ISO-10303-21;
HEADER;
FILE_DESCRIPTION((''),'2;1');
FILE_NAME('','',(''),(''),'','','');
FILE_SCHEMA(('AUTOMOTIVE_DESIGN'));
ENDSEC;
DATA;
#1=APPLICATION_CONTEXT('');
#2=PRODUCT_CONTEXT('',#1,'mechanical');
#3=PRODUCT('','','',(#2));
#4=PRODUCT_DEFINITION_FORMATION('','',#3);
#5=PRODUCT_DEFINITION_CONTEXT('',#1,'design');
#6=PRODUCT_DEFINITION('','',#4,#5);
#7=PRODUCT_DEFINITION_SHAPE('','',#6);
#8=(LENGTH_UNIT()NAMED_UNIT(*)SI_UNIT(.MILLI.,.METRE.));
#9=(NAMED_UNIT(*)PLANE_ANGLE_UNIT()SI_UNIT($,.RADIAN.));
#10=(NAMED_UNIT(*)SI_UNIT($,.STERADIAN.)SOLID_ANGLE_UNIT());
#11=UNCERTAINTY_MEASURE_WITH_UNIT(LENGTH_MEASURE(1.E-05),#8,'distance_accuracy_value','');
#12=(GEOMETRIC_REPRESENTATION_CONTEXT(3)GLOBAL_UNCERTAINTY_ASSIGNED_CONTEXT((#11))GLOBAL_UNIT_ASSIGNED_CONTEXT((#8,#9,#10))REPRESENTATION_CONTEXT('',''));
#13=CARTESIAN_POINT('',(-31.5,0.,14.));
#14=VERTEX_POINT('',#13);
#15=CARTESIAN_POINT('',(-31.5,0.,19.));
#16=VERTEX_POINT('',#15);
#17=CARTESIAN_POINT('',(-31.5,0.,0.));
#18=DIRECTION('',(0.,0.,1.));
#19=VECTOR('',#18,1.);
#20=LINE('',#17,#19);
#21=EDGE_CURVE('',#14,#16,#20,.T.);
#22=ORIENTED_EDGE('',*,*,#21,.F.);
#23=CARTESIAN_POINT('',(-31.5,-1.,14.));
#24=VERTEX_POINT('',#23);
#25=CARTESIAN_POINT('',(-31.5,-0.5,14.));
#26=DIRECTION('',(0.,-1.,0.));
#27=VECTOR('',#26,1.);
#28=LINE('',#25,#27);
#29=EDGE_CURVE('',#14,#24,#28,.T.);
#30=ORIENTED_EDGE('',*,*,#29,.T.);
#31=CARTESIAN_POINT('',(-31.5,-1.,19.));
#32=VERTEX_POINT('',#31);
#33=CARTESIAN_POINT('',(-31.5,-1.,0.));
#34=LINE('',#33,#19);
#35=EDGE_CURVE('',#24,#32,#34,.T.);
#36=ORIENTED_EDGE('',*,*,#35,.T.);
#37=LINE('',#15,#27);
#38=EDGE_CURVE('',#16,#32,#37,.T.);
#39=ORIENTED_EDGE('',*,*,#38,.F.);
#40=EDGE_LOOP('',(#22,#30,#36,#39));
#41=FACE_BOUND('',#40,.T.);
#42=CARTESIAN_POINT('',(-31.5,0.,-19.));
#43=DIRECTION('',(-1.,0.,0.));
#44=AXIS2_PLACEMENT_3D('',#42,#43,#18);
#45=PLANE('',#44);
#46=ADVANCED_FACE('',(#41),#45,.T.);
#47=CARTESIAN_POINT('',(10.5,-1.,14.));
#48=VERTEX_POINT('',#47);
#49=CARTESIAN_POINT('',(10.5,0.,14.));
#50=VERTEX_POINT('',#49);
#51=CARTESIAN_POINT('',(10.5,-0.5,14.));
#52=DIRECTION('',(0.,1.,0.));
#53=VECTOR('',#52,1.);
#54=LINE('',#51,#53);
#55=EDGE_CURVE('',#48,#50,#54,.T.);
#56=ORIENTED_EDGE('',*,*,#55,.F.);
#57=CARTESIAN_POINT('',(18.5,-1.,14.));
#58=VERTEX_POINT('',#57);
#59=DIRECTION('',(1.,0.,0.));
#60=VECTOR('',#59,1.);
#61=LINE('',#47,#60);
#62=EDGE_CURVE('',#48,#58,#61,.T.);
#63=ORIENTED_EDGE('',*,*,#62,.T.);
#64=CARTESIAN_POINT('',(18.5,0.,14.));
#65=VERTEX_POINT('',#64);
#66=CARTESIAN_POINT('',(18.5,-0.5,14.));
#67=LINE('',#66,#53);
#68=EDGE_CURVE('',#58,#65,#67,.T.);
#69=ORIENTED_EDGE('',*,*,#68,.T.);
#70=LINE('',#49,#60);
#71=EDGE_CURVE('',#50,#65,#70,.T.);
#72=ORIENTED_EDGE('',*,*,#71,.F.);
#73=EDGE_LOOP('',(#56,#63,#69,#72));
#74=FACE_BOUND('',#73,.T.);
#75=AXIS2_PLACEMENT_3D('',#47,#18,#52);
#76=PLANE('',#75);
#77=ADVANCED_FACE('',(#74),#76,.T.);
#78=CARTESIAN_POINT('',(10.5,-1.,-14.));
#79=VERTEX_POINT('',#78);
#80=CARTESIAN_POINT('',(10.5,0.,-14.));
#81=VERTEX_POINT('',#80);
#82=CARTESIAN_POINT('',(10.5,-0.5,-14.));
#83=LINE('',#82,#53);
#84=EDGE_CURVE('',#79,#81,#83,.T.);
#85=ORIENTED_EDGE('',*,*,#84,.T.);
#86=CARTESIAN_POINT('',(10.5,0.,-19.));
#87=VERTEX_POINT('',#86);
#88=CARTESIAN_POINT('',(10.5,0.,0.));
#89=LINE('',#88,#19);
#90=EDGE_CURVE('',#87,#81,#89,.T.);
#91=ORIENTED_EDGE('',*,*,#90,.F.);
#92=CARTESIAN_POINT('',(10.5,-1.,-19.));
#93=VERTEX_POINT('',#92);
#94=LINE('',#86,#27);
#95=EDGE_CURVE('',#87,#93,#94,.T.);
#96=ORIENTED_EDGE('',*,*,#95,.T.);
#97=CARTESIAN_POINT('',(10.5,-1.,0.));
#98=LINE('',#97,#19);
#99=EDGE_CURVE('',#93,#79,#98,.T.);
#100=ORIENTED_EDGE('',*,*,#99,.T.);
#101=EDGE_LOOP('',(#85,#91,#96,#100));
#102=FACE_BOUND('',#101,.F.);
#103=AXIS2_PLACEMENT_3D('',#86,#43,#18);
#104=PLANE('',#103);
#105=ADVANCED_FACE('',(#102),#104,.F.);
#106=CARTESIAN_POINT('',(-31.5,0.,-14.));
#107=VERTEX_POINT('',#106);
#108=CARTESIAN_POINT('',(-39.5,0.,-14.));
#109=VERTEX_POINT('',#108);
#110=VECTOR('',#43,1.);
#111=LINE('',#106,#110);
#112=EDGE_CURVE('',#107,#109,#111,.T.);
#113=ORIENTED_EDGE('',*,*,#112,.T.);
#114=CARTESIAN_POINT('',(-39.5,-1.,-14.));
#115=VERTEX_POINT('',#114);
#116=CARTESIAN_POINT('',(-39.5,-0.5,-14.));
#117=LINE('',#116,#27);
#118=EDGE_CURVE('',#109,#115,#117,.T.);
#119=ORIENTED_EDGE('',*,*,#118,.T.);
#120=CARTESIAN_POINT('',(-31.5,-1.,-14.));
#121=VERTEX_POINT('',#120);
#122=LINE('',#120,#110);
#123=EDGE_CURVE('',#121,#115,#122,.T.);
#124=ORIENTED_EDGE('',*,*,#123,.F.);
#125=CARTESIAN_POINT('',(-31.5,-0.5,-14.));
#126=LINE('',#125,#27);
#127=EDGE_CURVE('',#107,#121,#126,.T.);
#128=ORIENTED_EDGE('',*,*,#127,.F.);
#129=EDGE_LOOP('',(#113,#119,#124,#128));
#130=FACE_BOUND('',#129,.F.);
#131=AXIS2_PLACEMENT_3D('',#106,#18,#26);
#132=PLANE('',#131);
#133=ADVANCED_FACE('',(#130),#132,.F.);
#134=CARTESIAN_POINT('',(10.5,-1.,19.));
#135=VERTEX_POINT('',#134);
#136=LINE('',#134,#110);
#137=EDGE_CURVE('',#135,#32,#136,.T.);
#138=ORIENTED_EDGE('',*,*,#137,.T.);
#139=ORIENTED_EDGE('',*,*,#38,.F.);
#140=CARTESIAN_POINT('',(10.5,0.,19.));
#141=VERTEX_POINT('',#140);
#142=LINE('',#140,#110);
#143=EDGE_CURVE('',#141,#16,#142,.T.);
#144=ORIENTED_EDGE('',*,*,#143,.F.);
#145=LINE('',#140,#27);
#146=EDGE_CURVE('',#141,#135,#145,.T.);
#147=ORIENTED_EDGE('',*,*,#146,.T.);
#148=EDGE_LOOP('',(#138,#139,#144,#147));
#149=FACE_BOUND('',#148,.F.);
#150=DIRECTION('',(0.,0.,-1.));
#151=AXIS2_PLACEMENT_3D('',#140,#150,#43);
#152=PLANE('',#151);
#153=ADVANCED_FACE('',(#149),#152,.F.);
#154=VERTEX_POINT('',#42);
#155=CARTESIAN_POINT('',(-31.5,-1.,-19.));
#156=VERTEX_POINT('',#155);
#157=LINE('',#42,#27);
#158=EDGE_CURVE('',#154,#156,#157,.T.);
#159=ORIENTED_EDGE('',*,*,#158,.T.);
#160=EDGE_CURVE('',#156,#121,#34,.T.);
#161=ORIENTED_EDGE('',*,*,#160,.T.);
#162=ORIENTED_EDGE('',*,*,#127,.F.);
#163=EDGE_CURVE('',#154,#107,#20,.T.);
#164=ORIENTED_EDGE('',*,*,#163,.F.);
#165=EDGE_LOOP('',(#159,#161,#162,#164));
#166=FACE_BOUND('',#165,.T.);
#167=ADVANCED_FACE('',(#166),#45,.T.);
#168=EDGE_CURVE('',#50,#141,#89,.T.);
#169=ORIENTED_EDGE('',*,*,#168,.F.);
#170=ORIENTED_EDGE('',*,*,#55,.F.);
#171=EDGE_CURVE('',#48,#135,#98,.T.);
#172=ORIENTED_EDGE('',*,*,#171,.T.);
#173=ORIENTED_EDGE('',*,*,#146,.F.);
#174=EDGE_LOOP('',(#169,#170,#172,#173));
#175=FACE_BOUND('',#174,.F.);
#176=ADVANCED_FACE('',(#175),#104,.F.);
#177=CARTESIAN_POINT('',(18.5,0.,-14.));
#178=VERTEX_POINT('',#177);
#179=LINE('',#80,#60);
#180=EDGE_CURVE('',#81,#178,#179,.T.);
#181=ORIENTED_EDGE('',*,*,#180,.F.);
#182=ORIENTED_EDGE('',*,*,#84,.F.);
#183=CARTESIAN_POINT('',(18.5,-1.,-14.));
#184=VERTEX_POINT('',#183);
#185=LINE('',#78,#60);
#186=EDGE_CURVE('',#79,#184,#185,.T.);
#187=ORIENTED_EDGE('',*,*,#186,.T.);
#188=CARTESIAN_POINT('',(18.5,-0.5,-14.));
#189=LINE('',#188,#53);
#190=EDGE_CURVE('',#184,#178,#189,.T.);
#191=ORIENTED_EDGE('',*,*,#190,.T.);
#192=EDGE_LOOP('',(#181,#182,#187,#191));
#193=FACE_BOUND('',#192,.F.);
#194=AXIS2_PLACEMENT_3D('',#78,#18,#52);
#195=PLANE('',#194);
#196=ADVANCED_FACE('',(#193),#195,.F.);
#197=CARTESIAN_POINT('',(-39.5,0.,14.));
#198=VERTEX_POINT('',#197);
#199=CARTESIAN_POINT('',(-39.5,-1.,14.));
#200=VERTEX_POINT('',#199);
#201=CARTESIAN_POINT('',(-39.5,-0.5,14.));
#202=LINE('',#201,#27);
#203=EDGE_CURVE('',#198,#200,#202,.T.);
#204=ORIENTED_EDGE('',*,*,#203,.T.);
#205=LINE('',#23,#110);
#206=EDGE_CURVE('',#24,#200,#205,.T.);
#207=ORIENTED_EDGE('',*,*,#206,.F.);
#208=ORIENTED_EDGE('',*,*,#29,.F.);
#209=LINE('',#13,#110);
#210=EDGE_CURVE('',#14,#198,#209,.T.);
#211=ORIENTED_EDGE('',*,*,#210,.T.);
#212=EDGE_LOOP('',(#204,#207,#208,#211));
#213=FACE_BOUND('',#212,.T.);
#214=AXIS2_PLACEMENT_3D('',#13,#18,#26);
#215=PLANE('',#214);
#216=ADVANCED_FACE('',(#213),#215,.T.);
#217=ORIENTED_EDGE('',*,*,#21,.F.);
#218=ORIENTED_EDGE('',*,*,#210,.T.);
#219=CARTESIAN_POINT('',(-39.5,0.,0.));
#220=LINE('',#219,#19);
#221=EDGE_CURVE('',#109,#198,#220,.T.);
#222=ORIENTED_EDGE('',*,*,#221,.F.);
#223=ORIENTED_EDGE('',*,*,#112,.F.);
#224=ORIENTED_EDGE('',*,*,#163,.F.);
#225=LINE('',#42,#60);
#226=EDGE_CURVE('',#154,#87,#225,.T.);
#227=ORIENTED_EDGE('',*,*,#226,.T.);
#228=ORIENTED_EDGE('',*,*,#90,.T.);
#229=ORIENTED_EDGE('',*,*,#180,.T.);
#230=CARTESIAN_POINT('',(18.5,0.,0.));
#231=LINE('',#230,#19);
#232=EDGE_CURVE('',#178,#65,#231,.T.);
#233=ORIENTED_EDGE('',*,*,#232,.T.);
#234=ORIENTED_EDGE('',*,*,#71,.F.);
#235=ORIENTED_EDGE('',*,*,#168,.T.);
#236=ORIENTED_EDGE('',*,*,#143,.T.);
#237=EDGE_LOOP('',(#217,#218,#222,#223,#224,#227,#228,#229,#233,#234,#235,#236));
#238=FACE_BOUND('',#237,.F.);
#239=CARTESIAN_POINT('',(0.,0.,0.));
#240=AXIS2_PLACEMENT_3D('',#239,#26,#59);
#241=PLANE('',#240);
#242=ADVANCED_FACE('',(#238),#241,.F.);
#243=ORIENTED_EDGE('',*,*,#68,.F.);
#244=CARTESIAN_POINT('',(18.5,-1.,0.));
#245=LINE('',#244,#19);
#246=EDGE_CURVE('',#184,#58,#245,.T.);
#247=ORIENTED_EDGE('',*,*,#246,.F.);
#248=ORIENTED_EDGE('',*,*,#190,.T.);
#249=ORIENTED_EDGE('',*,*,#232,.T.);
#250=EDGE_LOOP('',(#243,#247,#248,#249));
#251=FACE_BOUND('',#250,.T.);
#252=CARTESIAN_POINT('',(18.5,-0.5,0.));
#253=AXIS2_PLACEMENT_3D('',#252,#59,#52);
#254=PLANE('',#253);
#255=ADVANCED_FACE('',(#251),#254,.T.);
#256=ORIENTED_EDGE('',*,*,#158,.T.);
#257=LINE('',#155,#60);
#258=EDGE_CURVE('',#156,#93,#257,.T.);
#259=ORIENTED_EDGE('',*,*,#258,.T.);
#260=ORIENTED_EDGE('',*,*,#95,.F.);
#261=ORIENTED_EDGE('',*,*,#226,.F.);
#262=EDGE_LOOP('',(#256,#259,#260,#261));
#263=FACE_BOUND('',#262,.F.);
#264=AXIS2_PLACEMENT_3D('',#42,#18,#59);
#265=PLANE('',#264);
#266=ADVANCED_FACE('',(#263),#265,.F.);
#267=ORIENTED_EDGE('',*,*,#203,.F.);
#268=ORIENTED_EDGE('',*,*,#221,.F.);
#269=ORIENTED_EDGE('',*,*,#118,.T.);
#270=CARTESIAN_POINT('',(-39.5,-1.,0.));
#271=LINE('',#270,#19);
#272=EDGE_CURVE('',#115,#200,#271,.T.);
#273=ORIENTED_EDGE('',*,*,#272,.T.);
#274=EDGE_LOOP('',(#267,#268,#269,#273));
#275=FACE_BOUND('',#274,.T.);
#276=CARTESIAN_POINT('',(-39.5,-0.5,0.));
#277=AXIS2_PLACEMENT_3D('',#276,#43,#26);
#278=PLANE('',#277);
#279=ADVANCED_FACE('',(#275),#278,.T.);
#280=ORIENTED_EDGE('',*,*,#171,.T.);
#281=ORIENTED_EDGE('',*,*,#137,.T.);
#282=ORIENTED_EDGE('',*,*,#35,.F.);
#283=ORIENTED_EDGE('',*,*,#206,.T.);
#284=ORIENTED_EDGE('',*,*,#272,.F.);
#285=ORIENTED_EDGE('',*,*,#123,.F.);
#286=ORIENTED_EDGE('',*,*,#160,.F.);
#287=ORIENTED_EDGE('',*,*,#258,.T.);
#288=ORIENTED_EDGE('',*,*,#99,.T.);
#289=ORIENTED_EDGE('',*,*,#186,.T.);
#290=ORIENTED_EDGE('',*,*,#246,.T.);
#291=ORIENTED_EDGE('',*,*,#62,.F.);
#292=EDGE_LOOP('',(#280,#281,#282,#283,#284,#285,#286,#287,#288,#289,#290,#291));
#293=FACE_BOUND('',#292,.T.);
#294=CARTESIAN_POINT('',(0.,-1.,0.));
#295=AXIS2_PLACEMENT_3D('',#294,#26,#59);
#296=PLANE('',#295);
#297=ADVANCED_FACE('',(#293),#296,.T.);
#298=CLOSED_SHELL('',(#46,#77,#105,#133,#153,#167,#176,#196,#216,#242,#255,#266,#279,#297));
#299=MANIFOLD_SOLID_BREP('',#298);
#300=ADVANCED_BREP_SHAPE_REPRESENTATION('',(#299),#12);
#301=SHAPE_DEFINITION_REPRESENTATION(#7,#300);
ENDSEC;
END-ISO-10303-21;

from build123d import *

# Parameters (mm, degrees)
F0_W     = 21
F0_H     = 38
F1_DEPTH = 1
F2_W     = 1
F2_H     = 28
F3_DEPTH = 8
F4_W     = 1
F4_H     = 28
F5_DEPTH = 8


with BuildPart() as f1:
    # F0 (on Front) → F1 (new body)
    with BuildSketch(Plane.XZ):
        Rectangle(F0_W, F0_H)
        with Locations((-21, 0)):
            Rectangle(F0_W, F0_H)
    extrude(amount=F1_DEPTH)

    # F2 (on face) → F3 (join)
    with BuildSketch(Plane.YZ.offset(10.5)):
        with Locations((-0.5, 0)):
            Rectangle(F2_W, F2_H)
    extrude(amount=F3_DEPTH)

    # F4 (on face) → F5 (join)
    with BuildSketch(Plane(origin=(-31.5, 0, 0), x_dir=(0, -1, 0), z_dir=(-1, 0, 0))):
        with Locations((0.5, 0)):
            Rectangle(F4_W, F4_H)
    extrude(amount=F5_DEPTH)


solid = f1.part
